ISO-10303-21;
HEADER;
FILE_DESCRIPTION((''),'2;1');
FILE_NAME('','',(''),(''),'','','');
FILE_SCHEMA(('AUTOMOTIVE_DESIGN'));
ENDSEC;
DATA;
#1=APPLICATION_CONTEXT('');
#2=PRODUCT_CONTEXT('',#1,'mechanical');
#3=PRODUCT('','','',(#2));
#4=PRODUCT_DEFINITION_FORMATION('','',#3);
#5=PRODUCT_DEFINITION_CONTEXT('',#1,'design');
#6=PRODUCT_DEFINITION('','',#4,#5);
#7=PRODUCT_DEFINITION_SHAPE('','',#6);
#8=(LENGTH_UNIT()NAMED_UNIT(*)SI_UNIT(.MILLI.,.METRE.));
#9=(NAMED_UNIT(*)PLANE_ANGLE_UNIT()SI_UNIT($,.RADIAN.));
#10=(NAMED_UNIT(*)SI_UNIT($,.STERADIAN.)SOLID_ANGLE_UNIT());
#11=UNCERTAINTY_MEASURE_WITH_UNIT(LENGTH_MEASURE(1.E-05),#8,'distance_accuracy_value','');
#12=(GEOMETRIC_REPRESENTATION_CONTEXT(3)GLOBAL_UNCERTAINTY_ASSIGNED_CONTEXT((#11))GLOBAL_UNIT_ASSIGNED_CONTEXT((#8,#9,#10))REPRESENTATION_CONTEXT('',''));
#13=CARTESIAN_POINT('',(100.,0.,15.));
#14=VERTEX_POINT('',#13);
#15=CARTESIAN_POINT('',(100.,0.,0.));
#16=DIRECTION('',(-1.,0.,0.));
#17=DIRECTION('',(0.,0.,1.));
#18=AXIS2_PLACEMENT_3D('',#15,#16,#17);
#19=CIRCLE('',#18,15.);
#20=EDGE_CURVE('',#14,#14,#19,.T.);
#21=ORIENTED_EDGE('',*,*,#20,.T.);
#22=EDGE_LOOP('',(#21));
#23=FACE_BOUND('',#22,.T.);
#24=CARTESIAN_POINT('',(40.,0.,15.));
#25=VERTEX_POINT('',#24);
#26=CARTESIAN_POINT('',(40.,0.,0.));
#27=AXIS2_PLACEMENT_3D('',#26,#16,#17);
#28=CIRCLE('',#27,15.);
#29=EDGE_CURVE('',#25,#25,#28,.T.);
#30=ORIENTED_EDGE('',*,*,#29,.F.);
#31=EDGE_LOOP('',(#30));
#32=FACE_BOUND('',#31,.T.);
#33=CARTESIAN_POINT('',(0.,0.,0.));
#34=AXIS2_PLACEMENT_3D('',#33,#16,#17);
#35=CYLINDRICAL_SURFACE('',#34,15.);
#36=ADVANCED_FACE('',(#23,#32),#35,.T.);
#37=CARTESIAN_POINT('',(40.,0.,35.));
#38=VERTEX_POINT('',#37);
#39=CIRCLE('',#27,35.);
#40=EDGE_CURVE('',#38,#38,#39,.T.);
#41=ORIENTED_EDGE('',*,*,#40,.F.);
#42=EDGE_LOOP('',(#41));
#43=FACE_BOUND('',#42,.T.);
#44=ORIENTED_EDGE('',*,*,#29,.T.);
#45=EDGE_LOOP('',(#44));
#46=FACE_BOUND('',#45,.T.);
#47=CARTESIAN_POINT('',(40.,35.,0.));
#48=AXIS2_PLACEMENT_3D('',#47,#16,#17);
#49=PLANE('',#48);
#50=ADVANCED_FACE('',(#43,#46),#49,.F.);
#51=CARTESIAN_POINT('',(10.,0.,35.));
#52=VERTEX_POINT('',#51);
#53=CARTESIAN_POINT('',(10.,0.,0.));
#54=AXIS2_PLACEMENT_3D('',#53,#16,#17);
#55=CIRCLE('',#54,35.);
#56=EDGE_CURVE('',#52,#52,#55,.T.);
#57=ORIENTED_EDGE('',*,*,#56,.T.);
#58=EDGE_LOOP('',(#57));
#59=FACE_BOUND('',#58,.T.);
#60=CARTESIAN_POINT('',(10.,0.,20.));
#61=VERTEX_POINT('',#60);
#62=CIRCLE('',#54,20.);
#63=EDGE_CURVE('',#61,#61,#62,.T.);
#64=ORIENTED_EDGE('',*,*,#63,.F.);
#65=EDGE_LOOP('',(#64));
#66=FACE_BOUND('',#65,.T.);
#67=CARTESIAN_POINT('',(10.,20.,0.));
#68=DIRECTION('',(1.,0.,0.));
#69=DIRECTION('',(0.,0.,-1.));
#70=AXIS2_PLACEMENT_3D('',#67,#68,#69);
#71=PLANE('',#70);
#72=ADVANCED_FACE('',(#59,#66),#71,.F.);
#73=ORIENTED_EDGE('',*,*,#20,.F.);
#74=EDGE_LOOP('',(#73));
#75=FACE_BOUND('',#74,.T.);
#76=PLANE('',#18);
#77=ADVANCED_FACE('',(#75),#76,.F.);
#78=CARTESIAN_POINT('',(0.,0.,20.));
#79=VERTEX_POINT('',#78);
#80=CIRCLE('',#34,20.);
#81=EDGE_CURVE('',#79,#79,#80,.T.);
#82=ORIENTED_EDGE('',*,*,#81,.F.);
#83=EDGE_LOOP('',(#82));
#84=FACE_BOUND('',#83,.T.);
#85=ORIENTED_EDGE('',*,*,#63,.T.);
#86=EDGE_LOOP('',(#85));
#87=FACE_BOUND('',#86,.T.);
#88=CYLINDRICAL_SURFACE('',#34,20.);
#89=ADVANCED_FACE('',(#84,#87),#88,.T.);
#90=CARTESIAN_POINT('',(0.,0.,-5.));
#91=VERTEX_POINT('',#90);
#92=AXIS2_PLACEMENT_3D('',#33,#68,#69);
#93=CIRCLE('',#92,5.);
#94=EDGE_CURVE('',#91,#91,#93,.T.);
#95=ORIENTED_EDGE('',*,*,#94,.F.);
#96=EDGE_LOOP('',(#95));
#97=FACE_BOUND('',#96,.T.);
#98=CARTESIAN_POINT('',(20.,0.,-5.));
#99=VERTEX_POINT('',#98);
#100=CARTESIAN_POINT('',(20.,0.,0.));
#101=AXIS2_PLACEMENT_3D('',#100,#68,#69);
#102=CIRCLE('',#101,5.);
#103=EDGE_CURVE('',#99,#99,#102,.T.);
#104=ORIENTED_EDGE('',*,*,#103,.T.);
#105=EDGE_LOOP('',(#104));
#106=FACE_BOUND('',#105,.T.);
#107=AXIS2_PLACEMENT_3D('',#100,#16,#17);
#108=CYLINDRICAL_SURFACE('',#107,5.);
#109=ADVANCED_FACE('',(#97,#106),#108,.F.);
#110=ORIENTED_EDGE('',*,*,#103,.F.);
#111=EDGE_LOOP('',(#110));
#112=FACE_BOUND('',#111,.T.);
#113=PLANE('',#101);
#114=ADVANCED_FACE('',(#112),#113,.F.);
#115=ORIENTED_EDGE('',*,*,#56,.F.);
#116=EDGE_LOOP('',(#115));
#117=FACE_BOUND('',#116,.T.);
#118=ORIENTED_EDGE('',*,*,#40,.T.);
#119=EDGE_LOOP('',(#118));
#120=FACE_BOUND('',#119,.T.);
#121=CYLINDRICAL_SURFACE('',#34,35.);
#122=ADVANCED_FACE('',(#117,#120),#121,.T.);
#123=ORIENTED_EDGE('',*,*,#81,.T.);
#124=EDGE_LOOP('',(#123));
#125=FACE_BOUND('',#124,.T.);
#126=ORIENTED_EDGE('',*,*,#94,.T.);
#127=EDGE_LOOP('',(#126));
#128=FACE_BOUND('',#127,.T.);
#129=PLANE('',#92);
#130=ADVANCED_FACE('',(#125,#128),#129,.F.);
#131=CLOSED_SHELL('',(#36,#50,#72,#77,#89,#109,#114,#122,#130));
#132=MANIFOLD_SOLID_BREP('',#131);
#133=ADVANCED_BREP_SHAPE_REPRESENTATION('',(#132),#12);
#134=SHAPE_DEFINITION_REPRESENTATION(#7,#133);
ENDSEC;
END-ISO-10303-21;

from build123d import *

# Parameters (mm, degrees)
SKETCH_2_R          = 5
CUT_EXTRUDE_1_DEPTH = 20


with BuildPart() as part:
    # Эскиз1 → Повернуть1 (revolve)
    with BuildSketch(Plane.XY, mode=Mode.PRIVATE) as revolve_1_sk:
        Polygon((0, 0), (100, 0), (100, 15), (40, 15), (40, 35), (10, 35), (10, 20), (0, 20), align=None)
    revolve(revolve_1_sk.sketch.rotate(Axis((0, 0, 0), (1, 0, 0)), 90), axis=Axis((0, 0, 0), (1, 0, 0)))

    # Эскиз2 → Вырез-Вытянуть1 (cut)
    with BuildSketch(Plane(origin=(0, 0, 0), x_dir=(0, 0, -1), z_dir=(1, 0, 0))):
        Circle(SKETCH_2_R)
    extrude(amount=CUT_EXTRUDE_1_DEPTH, mode=Mode.SUBTRACT)


solid = part.part
